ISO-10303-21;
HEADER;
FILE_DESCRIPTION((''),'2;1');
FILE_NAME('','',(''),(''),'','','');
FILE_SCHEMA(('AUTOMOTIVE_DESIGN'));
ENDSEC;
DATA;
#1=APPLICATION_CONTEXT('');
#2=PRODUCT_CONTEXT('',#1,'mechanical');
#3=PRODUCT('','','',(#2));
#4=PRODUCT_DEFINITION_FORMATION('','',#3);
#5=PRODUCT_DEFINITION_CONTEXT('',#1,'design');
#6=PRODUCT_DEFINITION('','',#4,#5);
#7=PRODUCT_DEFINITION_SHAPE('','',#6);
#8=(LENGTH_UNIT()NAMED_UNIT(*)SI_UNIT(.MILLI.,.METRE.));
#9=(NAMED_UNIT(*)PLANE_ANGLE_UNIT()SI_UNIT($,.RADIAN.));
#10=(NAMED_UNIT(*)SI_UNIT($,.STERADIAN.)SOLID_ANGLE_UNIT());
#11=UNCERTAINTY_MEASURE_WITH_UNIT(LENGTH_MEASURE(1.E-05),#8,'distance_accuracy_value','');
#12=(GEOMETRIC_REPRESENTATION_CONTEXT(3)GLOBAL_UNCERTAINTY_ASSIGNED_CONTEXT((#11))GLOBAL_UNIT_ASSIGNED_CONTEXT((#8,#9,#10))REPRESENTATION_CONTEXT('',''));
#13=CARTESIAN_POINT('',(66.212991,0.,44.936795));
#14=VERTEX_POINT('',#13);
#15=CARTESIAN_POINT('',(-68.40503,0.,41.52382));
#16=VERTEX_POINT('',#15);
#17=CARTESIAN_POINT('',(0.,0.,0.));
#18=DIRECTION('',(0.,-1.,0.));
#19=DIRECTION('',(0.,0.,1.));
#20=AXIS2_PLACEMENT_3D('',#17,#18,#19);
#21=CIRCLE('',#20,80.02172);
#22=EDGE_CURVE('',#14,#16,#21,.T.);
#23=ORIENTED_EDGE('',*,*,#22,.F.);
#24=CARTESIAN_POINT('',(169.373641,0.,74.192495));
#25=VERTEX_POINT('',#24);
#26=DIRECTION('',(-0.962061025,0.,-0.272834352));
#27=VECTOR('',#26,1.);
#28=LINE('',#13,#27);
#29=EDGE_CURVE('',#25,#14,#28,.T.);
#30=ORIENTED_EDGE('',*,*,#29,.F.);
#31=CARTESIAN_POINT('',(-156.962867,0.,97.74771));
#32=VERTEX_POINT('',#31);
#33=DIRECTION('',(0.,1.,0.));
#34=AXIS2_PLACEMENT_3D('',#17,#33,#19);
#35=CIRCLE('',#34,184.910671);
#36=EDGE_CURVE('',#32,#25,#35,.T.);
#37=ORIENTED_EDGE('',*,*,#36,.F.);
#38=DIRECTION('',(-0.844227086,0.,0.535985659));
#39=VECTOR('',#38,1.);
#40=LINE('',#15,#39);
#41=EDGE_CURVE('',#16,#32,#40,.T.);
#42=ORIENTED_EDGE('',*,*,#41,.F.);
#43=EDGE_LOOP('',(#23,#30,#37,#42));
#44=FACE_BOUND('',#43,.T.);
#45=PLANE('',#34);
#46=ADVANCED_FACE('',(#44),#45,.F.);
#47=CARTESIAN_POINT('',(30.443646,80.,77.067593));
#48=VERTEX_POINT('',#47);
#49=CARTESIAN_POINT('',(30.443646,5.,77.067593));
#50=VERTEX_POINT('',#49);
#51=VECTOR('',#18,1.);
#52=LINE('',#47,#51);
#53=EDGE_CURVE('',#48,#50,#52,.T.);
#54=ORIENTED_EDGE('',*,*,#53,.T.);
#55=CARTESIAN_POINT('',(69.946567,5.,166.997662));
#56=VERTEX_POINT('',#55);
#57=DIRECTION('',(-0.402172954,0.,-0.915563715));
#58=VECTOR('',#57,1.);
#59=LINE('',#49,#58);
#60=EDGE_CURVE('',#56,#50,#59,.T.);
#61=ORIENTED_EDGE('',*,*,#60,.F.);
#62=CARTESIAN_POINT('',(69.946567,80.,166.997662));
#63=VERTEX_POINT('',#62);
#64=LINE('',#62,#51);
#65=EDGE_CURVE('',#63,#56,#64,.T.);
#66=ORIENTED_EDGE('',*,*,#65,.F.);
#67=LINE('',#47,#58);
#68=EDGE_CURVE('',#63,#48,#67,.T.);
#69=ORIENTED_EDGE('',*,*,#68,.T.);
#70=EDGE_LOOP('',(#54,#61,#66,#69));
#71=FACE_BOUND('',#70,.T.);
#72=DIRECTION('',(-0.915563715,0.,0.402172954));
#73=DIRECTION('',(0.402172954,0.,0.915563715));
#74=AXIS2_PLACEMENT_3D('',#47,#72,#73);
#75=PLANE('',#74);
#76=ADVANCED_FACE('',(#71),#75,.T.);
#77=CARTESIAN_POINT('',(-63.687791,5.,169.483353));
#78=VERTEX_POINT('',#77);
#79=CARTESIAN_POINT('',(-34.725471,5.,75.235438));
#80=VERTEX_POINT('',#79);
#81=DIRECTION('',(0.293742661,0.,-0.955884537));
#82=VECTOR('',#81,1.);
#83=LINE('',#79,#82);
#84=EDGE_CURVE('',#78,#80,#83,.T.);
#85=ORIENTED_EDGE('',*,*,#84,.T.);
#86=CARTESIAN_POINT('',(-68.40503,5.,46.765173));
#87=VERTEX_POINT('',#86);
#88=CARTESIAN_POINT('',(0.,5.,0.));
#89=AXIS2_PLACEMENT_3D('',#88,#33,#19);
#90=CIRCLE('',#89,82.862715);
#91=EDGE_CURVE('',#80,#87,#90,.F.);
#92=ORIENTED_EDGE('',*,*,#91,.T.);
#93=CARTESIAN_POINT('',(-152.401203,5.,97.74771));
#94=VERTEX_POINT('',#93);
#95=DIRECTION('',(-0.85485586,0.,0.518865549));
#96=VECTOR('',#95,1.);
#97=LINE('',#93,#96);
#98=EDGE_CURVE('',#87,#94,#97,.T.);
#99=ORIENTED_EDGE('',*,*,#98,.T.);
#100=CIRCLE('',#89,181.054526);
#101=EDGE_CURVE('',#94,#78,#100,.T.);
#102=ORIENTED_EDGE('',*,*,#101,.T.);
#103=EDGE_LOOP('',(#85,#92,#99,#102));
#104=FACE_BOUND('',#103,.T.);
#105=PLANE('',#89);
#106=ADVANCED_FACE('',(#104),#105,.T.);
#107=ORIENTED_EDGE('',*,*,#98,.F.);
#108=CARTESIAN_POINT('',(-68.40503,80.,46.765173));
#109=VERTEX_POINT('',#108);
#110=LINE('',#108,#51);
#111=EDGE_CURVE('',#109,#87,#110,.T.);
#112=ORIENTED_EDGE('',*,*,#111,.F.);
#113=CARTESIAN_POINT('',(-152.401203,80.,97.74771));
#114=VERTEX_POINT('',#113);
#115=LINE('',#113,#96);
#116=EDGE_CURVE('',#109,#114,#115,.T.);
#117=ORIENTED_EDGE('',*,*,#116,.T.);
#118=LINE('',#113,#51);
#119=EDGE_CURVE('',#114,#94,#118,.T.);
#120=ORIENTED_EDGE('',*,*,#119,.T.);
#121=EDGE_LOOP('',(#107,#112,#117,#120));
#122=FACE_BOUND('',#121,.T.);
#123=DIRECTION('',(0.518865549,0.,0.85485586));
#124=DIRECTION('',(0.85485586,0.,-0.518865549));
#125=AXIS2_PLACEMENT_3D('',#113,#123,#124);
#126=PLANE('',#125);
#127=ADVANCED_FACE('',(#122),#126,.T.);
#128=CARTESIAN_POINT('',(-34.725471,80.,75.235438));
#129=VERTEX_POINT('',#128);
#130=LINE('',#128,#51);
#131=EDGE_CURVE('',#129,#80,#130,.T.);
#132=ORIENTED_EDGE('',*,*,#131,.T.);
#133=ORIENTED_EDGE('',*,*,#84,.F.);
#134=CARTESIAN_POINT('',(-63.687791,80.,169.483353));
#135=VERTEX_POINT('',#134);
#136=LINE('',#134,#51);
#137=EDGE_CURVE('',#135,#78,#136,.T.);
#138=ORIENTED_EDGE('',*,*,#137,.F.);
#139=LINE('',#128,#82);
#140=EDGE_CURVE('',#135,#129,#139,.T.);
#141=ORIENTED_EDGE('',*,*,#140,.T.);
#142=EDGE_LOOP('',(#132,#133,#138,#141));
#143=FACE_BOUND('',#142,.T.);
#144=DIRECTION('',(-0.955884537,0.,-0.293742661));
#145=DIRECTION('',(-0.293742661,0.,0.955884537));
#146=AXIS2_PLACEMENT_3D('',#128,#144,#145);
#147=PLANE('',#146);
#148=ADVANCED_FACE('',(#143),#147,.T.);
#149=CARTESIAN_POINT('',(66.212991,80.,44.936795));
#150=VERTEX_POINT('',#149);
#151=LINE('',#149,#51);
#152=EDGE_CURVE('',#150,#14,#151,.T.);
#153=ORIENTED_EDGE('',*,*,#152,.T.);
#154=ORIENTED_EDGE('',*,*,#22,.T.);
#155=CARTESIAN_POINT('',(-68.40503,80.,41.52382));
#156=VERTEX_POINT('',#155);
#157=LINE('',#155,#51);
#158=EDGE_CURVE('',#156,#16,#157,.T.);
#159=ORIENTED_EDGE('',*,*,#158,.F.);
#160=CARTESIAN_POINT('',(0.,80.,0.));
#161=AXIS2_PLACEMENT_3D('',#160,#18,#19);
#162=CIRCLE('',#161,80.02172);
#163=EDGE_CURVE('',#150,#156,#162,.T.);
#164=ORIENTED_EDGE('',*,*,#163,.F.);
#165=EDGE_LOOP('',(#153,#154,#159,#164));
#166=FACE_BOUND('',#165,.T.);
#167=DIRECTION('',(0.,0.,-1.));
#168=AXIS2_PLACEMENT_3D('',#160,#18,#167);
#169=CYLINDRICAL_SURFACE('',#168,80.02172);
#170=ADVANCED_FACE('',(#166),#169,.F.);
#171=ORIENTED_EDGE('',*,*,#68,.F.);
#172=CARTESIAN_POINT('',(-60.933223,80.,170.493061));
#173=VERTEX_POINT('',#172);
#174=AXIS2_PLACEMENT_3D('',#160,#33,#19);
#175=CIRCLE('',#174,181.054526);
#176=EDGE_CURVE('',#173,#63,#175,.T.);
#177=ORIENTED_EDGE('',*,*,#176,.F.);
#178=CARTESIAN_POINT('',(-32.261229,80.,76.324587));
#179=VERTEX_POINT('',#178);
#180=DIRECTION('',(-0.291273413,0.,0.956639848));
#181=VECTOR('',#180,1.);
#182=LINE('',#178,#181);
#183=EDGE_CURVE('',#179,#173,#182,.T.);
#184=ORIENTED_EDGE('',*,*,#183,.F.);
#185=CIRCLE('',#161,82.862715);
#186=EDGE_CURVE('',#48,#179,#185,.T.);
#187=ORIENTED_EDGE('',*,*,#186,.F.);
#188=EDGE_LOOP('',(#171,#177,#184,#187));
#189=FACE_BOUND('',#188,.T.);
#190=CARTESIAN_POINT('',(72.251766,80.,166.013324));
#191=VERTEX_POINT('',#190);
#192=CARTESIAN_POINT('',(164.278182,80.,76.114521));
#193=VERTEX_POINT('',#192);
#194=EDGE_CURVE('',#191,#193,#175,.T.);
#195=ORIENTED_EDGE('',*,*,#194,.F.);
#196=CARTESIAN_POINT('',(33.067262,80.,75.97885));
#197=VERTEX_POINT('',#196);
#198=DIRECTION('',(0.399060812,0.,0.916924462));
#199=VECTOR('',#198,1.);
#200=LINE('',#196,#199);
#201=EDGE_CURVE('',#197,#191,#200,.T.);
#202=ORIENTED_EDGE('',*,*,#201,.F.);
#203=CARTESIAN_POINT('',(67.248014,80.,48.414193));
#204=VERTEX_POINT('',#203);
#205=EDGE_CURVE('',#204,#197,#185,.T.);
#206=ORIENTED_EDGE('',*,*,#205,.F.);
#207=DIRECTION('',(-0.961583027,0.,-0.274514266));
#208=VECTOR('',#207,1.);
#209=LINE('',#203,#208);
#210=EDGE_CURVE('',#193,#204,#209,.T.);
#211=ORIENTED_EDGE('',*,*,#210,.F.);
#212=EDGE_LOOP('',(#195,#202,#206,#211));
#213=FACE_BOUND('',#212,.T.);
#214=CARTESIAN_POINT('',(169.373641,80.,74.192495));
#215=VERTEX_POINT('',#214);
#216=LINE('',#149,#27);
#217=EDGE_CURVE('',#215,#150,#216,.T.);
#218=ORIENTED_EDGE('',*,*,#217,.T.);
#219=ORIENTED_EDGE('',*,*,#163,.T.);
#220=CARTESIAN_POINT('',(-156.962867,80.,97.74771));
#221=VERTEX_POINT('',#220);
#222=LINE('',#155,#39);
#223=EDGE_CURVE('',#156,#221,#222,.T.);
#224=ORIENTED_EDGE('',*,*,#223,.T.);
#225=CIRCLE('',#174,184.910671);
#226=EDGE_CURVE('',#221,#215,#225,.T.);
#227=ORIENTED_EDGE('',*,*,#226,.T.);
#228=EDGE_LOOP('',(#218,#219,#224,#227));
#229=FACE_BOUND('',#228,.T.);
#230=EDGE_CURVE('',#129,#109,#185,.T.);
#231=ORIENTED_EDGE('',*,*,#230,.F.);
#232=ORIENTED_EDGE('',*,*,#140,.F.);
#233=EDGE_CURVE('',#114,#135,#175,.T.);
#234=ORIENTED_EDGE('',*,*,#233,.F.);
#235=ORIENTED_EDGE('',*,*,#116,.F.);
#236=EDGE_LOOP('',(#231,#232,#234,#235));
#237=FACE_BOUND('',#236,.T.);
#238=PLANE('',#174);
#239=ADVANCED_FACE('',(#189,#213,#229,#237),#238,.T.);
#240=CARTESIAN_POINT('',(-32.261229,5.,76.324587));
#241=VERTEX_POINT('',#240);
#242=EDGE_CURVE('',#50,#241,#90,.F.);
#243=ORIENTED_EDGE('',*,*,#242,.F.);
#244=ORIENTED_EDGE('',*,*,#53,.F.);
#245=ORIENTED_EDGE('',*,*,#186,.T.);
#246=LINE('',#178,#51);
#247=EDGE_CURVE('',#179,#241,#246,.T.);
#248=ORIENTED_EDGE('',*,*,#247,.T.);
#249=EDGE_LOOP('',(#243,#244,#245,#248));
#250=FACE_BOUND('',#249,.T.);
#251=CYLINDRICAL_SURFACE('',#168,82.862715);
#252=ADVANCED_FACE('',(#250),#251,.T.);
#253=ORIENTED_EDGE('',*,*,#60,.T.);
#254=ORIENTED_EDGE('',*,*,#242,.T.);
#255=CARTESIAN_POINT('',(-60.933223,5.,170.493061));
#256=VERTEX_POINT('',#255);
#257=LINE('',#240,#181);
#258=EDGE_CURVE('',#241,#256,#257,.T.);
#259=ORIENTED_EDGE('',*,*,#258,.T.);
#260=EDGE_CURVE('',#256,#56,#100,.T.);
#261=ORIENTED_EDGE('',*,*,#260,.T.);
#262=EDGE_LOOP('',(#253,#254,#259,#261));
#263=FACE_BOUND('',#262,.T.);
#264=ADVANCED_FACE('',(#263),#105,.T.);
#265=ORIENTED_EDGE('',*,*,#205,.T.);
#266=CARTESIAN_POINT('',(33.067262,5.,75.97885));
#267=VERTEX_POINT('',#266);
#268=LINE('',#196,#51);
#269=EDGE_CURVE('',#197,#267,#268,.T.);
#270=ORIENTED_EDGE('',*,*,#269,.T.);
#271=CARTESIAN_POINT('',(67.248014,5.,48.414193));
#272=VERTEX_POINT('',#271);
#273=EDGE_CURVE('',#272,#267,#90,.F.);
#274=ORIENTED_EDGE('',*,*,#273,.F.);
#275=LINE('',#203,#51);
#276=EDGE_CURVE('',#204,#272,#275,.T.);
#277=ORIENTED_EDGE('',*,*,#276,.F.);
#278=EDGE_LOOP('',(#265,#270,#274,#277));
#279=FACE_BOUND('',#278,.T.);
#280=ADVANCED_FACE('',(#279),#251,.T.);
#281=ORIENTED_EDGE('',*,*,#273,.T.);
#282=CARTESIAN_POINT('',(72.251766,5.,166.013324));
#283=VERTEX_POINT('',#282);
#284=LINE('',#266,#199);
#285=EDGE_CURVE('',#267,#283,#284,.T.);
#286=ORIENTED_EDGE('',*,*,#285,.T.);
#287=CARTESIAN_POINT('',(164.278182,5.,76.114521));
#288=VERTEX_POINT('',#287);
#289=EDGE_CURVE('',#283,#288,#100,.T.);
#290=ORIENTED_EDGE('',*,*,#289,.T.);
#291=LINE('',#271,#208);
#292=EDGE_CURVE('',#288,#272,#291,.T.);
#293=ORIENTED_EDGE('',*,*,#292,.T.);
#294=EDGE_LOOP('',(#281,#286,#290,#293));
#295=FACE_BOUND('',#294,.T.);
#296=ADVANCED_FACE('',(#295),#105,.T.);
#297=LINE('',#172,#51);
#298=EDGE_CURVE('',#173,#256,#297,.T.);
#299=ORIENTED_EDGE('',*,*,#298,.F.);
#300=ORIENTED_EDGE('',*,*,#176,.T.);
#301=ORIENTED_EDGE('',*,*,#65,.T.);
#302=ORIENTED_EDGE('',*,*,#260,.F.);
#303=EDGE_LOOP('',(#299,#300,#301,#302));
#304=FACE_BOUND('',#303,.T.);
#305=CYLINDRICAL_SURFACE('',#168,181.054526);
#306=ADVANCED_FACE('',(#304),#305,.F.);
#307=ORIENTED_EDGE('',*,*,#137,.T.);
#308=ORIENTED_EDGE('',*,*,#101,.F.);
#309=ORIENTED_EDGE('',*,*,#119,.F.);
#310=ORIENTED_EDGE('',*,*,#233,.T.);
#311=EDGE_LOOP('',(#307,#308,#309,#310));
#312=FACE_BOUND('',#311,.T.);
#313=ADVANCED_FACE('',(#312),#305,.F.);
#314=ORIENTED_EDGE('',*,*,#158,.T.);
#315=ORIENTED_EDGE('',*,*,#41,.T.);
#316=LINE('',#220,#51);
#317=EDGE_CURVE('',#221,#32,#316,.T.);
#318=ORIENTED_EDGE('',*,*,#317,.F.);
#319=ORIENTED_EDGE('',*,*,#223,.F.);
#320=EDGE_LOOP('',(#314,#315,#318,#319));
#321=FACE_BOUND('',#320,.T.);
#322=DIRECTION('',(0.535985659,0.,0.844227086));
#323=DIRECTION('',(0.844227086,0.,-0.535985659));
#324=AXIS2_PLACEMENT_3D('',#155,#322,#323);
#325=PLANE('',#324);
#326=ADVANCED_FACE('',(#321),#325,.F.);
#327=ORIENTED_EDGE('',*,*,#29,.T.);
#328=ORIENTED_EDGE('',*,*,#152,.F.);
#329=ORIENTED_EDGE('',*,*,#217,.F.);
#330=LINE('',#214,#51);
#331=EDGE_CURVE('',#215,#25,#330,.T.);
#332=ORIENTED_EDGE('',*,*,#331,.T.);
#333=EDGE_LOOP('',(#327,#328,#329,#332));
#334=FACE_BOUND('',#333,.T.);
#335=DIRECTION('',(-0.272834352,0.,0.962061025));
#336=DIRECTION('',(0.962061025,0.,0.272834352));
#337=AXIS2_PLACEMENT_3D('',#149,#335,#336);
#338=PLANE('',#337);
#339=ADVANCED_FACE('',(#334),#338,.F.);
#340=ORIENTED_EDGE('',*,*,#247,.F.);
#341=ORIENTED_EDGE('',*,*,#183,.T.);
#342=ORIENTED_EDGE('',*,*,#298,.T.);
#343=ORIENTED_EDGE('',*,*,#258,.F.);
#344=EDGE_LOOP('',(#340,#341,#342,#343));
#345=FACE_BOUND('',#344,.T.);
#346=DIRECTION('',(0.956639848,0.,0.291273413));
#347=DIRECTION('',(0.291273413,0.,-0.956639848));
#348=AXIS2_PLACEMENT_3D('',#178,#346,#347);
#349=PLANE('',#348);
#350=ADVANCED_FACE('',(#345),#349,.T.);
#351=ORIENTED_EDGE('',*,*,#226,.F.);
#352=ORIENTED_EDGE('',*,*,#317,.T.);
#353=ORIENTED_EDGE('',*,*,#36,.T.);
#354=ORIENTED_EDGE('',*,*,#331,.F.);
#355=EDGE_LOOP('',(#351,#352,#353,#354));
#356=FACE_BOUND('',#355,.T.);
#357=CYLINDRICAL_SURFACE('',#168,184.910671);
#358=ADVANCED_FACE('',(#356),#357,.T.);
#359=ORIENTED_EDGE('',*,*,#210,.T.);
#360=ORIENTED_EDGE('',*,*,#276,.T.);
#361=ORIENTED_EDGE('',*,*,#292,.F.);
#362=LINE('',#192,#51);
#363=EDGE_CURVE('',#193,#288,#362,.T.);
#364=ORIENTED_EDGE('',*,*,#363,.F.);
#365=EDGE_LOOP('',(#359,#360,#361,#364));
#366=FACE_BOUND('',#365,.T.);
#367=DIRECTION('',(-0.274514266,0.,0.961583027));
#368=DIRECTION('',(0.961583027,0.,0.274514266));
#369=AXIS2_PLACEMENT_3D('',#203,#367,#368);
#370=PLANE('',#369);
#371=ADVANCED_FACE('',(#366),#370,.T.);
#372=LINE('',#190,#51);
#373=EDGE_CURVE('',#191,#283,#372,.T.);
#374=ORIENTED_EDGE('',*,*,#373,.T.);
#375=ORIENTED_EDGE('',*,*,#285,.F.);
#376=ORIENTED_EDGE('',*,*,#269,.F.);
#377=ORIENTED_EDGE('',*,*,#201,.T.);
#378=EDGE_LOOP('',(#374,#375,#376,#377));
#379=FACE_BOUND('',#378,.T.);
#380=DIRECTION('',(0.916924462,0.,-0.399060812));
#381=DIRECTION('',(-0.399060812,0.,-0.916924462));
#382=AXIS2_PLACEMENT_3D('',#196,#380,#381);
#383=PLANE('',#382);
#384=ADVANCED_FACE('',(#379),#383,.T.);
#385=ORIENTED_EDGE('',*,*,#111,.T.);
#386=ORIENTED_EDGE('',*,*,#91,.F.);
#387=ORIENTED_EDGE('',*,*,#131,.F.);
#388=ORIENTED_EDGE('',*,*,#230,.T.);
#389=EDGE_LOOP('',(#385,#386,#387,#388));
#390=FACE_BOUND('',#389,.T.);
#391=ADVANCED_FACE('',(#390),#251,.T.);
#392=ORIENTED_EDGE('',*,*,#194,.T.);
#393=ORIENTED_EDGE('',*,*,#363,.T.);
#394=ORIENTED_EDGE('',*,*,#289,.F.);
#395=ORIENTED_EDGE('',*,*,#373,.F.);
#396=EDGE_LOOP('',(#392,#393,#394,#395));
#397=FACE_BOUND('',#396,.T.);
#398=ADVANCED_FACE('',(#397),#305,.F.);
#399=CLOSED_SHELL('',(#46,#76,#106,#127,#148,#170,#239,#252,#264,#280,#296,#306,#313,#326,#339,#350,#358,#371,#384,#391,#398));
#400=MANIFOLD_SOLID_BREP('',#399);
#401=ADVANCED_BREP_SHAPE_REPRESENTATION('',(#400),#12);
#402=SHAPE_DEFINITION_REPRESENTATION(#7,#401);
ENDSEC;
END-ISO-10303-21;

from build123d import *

# Parameters (mm, degrees)
BOSS_EXTRUDE1_DEPTH = 80
BOSS_EXTRUDE2_DEPTH = 5


with BuildPart() as part:
    # Sketch1 → Boss-Extrude1 (new body)
    with BuildSketch(Plane(origin=(0, 0, 0), x_dir=(1, 0, 0), z_dir=(0, 1, 0))):
        with BuildLine():
            Line((-68.405029852, -41.523820038), (-156.962867052, -97.747709945))
            ThreePointArc((-156.962867052, -97.747709945), (13.312357604, -184.430847657), (169.373640638, -74.192494834))
            Line((169.373640638, -74.192494834), (66.212991348, -44.936794682))
            ThreePointArc((66.212991348, -44.936794682), (-2.028141312, -79.996014791), (-68.405029852, -41.523820038))
        make_face()
        with BuildLine():
            Line((-34.725471354, -75.235438156), (-63.687790654, -169.483352526))
            ThreePointArc((-63.687790654, -169.483352526), (-113.842495993, -140.785750585), (-152.401202956, -97.747709945))
            Line((-152.401202956, -97.747709945), (-68.405029852, -46.765173005))
            ThreePointArc((-68.405029852, -46.765173005), (-53.494056391, -63.282030989), (-34.725471354, -75.235438156))
        make_face(mode=Mode.SUBTRACT)
        with BuildLine():
            Line((30.443645827, -77.067593345), (69.946567205, -166.997662253))
            ThreePointArc((69.946567205, -166.997662253), (4.833688489, -180.989991208), (-60.933223363, -170.493060716))
            Line((-60.933223363, -170.493060716), (-32.261228696, -76.324587377))
            ThreePointArc((-32.261228696, -76.324587377), (-0.981792411, -82.856898318), (30.443645827, -77.067593345))
        make_face(mode=Mode.SUBTRACT)
        with BuildLine():
            Line((67.248014437, -48.414192851), (164.278182262, -76.114520917))
            ThreePointArc((164.278182262, -76.114520917), (126.518982101, -129.513275883), (72.251766234, -166.013323977))
            Line((72.251766234, -166.013323977), (33.067262274, -75.978850221))
            ThreePointArc((33.067262274, -75.978850221), (52.01674028, -64.50184684), (67.248014437, -48.414192851))
        make_face(mode=Mode.SUBTRACT)
    extrude(amount=BOSS_EXTRUDE1_DEPTH)

    # Sketch4 → Boss-Extrude2 (add)
    with BuildSketch(Plane.XZ):
        with BuildLine():
            Line((-156.962867052, 97.747709945), (-68.405029852, 41.523820038))
            ThreePointArc((-68.405029852, 41.523820038), (-2.028141312, 79.996014791), (66.212991348, 44.936794682))
            Line((66.212991348, 44.936794682), (169.373640638, 74.192494834))
            ThreePointArc((169.373640638, 74.192494834), (13.312357604, 184.430847657), (-156.962867052, 97.747709945))
        make_face()
    extrude(amount=-BOSS_EXTRUDE2_DEPTH)


solid = part.part
